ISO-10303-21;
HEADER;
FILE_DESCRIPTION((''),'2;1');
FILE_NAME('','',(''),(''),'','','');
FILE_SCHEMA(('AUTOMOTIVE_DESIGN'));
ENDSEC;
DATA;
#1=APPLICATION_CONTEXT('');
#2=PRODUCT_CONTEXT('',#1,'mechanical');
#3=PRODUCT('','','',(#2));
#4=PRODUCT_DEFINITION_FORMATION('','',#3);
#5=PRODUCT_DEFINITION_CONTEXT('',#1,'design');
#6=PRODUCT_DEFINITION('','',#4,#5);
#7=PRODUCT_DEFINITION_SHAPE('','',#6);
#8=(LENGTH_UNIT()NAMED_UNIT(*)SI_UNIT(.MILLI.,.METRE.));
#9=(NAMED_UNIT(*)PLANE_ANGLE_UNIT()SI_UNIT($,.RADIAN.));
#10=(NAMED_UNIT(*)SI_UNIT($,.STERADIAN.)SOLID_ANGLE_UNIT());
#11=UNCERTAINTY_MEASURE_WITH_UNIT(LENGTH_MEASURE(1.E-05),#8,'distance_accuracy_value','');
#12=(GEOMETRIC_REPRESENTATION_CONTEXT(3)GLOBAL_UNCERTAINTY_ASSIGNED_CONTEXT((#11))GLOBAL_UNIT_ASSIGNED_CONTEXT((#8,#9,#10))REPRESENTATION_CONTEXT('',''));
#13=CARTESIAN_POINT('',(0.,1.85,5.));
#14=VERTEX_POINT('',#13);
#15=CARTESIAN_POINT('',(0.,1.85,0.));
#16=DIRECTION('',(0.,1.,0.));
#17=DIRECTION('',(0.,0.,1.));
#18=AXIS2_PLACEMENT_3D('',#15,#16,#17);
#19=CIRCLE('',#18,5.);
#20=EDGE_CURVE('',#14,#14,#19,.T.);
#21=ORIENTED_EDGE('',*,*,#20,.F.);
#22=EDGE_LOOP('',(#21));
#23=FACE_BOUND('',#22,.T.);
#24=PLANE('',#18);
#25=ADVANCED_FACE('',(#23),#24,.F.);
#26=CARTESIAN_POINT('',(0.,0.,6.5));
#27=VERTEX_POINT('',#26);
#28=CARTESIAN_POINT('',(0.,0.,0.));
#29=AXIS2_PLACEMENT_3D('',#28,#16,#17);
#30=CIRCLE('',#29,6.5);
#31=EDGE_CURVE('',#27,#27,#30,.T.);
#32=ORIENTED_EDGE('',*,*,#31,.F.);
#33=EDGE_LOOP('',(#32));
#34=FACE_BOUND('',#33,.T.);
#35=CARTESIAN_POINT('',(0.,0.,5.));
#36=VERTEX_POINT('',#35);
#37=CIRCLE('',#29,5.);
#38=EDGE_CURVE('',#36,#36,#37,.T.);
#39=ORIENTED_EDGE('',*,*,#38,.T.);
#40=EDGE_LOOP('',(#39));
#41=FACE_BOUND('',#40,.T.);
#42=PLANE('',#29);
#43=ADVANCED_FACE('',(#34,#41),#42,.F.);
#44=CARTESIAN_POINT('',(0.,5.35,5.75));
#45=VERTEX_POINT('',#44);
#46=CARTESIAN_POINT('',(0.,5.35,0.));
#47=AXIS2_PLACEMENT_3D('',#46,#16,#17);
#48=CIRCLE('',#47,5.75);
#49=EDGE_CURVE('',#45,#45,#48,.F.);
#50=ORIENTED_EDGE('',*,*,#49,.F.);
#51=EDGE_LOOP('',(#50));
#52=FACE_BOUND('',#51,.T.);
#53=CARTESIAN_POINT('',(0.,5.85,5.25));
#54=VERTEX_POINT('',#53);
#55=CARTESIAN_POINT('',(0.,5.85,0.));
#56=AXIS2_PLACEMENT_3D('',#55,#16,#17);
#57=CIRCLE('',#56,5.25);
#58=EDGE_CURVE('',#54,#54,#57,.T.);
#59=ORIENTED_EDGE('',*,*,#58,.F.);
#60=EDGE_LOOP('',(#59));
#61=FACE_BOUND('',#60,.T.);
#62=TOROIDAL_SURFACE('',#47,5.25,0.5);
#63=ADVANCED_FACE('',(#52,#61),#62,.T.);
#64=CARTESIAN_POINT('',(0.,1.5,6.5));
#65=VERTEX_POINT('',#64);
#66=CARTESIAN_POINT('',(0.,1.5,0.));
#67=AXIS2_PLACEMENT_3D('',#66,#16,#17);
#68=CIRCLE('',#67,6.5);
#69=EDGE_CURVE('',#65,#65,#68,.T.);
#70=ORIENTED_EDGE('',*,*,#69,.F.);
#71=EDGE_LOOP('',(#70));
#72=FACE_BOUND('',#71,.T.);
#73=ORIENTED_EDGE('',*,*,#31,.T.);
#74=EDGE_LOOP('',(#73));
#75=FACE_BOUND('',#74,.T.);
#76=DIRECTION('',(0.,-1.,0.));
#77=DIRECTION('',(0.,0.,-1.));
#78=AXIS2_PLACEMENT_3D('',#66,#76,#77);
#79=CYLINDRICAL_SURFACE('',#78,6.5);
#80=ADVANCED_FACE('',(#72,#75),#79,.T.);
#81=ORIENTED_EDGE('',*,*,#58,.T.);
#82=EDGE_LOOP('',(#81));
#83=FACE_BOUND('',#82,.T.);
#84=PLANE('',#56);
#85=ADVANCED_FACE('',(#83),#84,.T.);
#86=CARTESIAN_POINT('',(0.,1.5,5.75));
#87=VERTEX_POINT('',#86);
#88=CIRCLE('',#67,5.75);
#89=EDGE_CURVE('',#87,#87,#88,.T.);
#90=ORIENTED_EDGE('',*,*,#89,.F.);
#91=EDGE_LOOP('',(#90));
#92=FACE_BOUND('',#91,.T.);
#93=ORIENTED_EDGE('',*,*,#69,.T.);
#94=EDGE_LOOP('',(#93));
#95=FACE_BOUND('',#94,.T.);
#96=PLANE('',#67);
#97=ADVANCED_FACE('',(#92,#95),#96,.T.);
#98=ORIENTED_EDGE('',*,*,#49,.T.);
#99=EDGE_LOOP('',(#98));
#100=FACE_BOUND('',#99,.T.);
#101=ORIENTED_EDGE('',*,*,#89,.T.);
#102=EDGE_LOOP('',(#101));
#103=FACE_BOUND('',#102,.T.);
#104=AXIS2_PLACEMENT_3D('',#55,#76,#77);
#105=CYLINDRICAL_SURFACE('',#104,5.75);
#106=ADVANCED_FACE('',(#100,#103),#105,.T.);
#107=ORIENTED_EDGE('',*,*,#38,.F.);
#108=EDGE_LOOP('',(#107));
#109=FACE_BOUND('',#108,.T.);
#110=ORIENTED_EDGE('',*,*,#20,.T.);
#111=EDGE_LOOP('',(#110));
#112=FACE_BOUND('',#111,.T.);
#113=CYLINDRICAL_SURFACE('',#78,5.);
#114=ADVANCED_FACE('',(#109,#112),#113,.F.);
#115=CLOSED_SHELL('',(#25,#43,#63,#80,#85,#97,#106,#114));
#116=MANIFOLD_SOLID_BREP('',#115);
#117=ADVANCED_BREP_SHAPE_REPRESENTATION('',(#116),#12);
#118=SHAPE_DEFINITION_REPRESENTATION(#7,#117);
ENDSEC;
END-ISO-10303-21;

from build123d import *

# Parameters (mm, degrees)
SKETCH1_R           = 6.5
SKETCH1_R_2         = 5
BOSS_EXTRUDE1_DEPTH = 1.5
SKETCH2_R           = 5.75
SKETCH2_R_2         = 5
BOSS_EXTRUDE2_DEPTH = 4.35
FILLET1_R           = 0.5
SKETCH3_R           = 5
BOSS_EXTRUDE3_DEPTH = 4


with BuildPart() as part:
    # Sketch1 → Boss-Extrude1 (new body)
    with BuildSketch(Plane(origin=(0, 0, 0), x_dir=(1, 0, 0), z_dir=(0, 1, 0))):
        Circle(SKETCH1_R)
        Circle(SKETCH1_R_2, mode=Mode.SUBTRACT)
    extrude(amount=BOSS_EXTRUDE1_DEPTH)

    # Sketch2 → Boss-Extrude2 (add)
    with BuildSketch(Plane(origin=(0, 1.5, 0), x_dir=(1, 0, 0), z_dir=(0, 1, 0))):
        Circle(SKETCH2_R)
        Circle(SKETCH2_R_2, mode=Mode.SUBTRACT)
    extrude(amount=BOSS_EXTRUDE2_DEPTH)

    # Fillet1
    fillet1_edges = [part.edges().sort_by_distance(p)[0] for p in [
        (-5.75, 5.85, 0),
    ]]
    fillet(fillet1_edges, radius=FILLET1_R)

    # Sketch3 → Boss-Extrude3 (add)
    with BuildSketch(Plane(origin=(0, 5.85, 0), x_dir=(1, 0, 0), z_dir=(0, 1, 0))):
        Circle(SKETCH3_R)
    extrude(amount=-BOSS_EXTRUDE3_DEPTH)


solid = part.part
